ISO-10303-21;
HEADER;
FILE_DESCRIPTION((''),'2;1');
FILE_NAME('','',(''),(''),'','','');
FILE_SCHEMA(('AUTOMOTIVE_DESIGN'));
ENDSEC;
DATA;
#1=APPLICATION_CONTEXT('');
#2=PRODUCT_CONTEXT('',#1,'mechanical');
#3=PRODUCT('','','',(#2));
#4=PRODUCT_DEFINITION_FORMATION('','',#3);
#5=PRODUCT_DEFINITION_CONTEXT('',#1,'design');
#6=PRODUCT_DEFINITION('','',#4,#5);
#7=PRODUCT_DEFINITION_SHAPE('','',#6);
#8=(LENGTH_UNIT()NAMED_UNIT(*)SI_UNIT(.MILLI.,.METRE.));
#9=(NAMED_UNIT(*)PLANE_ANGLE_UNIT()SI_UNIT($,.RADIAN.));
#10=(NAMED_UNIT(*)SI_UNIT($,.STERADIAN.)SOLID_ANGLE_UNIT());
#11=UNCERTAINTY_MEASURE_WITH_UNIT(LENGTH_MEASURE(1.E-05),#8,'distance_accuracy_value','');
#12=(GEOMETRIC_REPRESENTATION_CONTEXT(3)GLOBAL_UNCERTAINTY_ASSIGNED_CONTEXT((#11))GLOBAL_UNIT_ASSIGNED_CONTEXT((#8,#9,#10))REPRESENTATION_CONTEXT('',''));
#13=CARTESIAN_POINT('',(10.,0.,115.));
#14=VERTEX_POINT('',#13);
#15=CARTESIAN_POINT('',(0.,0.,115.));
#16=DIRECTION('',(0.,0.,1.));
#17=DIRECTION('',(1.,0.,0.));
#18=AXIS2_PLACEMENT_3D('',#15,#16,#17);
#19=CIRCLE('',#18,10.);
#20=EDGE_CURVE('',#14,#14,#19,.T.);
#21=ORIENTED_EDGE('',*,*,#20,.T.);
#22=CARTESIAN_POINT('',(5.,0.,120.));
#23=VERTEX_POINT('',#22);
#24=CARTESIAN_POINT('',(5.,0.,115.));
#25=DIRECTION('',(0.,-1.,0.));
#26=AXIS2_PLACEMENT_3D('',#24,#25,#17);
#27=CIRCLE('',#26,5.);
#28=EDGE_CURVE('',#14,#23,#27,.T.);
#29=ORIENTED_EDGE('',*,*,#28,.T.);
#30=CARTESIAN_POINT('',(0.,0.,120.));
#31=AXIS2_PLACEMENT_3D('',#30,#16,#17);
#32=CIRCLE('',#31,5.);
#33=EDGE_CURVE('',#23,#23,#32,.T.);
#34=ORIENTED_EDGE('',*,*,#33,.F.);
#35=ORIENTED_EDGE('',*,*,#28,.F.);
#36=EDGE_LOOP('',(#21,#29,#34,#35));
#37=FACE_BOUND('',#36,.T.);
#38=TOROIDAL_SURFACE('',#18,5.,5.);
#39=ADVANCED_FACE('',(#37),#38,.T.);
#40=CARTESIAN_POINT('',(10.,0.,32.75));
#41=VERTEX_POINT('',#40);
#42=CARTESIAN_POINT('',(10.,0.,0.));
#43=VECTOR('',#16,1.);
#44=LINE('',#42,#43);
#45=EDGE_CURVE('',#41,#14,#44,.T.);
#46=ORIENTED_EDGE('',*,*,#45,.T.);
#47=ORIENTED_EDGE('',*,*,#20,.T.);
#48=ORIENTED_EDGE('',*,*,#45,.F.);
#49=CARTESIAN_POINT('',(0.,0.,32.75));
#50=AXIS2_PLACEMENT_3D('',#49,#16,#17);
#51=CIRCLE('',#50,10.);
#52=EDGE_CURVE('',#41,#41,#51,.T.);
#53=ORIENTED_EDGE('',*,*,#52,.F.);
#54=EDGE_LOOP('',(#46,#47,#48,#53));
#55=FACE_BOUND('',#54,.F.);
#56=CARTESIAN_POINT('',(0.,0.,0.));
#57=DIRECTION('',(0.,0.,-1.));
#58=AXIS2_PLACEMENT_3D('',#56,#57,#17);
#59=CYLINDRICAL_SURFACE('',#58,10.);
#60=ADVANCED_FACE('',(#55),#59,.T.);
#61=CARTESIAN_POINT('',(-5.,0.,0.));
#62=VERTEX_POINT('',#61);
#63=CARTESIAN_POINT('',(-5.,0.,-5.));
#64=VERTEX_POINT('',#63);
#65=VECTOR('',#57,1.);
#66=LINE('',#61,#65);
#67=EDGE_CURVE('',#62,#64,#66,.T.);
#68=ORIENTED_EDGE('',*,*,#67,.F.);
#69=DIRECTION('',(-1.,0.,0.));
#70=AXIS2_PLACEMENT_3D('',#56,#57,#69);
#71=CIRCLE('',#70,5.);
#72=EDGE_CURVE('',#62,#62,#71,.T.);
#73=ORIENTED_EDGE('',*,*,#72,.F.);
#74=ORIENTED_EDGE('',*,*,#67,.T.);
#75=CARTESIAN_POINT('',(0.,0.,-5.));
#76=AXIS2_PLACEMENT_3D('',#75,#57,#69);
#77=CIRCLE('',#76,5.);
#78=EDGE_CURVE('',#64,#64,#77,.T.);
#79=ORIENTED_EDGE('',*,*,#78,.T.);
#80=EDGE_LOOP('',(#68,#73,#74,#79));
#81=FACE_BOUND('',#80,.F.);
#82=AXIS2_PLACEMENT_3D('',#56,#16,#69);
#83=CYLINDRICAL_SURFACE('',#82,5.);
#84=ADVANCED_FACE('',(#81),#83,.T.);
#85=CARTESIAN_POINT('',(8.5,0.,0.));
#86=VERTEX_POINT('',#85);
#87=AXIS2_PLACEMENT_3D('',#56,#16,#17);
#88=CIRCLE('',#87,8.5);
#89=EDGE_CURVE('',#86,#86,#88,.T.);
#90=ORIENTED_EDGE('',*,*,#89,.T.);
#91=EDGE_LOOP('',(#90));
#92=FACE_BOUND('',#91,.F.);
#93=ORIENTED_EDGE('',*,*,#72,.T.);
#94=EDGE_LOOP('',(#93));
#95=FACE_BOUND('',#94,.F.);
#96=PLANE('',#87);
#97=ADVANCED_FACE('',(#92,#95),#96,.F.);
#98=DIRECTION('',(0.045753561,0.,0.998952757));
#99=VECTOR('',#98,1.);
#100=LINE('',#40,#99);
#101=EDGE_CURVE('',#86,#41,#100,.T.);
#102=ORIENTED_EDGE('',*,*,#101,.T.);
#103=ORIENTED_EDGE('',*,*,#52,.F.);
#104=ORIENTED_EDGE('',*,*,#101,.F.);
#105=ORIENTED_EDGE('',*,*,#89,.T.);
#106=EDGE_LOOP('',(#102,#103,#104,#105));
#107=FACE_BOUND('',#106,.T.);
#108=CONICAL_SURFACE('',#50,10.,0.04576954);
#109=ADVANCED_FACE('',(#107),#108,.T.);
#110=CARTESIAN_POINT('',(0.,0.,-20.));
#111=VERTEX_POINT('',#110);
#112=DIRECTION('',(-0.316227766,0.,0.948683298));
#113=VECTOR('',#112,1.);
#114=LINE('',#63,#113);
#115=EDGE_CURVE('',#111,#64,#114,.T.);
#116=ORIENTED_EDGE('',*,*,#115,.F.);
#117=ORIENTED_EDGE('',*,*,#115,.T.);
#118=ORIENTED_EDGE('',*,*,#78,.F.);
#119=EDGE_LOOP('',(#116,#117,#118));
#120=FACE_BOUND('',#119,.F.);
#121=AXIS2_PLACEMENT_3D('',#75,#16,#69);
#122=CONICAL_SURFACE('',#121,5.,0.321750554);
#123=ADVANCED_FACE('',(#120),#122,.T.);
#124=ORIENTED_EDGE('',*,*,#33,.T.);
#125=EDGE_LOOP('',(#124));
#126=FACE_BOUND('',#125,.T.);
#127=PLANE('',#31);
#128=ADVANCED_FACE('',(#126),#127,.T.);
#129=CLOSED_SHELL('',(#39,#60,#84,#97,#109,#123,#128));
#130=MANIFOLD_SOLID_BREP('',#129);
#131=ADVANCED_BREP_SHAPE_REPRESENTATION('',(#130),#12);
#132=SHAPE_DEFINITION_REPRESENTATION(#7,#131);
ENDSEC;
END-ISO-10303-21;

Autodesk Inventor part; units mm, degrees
ref_plane "YZ Plane" through (0, 0, 0) normal (1, 0, 0) x (0, 1, 0)
ref_plane "XZ Plane" through (0, 0, 0) normal (0, 1, 0) x (-1, 0, 0)
ref_plane "XY Plane" through (0, 0, 0) normal (0, 0, 1) x (1, 0, 0)
sketch "Sketch1" plane through (0, 0, 0) normal (0, 0, 1) x (1, 0, 0)
  circle A0 centre (0, 0) radius 10
  dimension "d0" = 20
extrude "Extrusion1" add sketch "Sketch1" along normal blind 120
sketch "Sketch2" plane through (0, 0, 0) normal (0, 0, -1) x (-1, 0, 0)
  circle A0 centre (0, 0) radius 10 projected
  circle A1 centre (0, 0) radius 5
  dimension "d3" = 10
extrude "Extrusion2" add sketch "Sketch2" along normal blind 20 contours A1
chamfer "Chamfer1" distance 5 distance2 15 1 edges at (5, 0, -20) measured on face at (0.591, 1.5584, -20)
chamfer "Chamfer2" distance 1.5 distance2 32.75 1 edges at (-10, 0, 0) measured on face at (8.188, -1.1966, 0)
fillet "Fillet1" radius 5 1 edges at (-10, 0, 120)
properties part number "Pen"
